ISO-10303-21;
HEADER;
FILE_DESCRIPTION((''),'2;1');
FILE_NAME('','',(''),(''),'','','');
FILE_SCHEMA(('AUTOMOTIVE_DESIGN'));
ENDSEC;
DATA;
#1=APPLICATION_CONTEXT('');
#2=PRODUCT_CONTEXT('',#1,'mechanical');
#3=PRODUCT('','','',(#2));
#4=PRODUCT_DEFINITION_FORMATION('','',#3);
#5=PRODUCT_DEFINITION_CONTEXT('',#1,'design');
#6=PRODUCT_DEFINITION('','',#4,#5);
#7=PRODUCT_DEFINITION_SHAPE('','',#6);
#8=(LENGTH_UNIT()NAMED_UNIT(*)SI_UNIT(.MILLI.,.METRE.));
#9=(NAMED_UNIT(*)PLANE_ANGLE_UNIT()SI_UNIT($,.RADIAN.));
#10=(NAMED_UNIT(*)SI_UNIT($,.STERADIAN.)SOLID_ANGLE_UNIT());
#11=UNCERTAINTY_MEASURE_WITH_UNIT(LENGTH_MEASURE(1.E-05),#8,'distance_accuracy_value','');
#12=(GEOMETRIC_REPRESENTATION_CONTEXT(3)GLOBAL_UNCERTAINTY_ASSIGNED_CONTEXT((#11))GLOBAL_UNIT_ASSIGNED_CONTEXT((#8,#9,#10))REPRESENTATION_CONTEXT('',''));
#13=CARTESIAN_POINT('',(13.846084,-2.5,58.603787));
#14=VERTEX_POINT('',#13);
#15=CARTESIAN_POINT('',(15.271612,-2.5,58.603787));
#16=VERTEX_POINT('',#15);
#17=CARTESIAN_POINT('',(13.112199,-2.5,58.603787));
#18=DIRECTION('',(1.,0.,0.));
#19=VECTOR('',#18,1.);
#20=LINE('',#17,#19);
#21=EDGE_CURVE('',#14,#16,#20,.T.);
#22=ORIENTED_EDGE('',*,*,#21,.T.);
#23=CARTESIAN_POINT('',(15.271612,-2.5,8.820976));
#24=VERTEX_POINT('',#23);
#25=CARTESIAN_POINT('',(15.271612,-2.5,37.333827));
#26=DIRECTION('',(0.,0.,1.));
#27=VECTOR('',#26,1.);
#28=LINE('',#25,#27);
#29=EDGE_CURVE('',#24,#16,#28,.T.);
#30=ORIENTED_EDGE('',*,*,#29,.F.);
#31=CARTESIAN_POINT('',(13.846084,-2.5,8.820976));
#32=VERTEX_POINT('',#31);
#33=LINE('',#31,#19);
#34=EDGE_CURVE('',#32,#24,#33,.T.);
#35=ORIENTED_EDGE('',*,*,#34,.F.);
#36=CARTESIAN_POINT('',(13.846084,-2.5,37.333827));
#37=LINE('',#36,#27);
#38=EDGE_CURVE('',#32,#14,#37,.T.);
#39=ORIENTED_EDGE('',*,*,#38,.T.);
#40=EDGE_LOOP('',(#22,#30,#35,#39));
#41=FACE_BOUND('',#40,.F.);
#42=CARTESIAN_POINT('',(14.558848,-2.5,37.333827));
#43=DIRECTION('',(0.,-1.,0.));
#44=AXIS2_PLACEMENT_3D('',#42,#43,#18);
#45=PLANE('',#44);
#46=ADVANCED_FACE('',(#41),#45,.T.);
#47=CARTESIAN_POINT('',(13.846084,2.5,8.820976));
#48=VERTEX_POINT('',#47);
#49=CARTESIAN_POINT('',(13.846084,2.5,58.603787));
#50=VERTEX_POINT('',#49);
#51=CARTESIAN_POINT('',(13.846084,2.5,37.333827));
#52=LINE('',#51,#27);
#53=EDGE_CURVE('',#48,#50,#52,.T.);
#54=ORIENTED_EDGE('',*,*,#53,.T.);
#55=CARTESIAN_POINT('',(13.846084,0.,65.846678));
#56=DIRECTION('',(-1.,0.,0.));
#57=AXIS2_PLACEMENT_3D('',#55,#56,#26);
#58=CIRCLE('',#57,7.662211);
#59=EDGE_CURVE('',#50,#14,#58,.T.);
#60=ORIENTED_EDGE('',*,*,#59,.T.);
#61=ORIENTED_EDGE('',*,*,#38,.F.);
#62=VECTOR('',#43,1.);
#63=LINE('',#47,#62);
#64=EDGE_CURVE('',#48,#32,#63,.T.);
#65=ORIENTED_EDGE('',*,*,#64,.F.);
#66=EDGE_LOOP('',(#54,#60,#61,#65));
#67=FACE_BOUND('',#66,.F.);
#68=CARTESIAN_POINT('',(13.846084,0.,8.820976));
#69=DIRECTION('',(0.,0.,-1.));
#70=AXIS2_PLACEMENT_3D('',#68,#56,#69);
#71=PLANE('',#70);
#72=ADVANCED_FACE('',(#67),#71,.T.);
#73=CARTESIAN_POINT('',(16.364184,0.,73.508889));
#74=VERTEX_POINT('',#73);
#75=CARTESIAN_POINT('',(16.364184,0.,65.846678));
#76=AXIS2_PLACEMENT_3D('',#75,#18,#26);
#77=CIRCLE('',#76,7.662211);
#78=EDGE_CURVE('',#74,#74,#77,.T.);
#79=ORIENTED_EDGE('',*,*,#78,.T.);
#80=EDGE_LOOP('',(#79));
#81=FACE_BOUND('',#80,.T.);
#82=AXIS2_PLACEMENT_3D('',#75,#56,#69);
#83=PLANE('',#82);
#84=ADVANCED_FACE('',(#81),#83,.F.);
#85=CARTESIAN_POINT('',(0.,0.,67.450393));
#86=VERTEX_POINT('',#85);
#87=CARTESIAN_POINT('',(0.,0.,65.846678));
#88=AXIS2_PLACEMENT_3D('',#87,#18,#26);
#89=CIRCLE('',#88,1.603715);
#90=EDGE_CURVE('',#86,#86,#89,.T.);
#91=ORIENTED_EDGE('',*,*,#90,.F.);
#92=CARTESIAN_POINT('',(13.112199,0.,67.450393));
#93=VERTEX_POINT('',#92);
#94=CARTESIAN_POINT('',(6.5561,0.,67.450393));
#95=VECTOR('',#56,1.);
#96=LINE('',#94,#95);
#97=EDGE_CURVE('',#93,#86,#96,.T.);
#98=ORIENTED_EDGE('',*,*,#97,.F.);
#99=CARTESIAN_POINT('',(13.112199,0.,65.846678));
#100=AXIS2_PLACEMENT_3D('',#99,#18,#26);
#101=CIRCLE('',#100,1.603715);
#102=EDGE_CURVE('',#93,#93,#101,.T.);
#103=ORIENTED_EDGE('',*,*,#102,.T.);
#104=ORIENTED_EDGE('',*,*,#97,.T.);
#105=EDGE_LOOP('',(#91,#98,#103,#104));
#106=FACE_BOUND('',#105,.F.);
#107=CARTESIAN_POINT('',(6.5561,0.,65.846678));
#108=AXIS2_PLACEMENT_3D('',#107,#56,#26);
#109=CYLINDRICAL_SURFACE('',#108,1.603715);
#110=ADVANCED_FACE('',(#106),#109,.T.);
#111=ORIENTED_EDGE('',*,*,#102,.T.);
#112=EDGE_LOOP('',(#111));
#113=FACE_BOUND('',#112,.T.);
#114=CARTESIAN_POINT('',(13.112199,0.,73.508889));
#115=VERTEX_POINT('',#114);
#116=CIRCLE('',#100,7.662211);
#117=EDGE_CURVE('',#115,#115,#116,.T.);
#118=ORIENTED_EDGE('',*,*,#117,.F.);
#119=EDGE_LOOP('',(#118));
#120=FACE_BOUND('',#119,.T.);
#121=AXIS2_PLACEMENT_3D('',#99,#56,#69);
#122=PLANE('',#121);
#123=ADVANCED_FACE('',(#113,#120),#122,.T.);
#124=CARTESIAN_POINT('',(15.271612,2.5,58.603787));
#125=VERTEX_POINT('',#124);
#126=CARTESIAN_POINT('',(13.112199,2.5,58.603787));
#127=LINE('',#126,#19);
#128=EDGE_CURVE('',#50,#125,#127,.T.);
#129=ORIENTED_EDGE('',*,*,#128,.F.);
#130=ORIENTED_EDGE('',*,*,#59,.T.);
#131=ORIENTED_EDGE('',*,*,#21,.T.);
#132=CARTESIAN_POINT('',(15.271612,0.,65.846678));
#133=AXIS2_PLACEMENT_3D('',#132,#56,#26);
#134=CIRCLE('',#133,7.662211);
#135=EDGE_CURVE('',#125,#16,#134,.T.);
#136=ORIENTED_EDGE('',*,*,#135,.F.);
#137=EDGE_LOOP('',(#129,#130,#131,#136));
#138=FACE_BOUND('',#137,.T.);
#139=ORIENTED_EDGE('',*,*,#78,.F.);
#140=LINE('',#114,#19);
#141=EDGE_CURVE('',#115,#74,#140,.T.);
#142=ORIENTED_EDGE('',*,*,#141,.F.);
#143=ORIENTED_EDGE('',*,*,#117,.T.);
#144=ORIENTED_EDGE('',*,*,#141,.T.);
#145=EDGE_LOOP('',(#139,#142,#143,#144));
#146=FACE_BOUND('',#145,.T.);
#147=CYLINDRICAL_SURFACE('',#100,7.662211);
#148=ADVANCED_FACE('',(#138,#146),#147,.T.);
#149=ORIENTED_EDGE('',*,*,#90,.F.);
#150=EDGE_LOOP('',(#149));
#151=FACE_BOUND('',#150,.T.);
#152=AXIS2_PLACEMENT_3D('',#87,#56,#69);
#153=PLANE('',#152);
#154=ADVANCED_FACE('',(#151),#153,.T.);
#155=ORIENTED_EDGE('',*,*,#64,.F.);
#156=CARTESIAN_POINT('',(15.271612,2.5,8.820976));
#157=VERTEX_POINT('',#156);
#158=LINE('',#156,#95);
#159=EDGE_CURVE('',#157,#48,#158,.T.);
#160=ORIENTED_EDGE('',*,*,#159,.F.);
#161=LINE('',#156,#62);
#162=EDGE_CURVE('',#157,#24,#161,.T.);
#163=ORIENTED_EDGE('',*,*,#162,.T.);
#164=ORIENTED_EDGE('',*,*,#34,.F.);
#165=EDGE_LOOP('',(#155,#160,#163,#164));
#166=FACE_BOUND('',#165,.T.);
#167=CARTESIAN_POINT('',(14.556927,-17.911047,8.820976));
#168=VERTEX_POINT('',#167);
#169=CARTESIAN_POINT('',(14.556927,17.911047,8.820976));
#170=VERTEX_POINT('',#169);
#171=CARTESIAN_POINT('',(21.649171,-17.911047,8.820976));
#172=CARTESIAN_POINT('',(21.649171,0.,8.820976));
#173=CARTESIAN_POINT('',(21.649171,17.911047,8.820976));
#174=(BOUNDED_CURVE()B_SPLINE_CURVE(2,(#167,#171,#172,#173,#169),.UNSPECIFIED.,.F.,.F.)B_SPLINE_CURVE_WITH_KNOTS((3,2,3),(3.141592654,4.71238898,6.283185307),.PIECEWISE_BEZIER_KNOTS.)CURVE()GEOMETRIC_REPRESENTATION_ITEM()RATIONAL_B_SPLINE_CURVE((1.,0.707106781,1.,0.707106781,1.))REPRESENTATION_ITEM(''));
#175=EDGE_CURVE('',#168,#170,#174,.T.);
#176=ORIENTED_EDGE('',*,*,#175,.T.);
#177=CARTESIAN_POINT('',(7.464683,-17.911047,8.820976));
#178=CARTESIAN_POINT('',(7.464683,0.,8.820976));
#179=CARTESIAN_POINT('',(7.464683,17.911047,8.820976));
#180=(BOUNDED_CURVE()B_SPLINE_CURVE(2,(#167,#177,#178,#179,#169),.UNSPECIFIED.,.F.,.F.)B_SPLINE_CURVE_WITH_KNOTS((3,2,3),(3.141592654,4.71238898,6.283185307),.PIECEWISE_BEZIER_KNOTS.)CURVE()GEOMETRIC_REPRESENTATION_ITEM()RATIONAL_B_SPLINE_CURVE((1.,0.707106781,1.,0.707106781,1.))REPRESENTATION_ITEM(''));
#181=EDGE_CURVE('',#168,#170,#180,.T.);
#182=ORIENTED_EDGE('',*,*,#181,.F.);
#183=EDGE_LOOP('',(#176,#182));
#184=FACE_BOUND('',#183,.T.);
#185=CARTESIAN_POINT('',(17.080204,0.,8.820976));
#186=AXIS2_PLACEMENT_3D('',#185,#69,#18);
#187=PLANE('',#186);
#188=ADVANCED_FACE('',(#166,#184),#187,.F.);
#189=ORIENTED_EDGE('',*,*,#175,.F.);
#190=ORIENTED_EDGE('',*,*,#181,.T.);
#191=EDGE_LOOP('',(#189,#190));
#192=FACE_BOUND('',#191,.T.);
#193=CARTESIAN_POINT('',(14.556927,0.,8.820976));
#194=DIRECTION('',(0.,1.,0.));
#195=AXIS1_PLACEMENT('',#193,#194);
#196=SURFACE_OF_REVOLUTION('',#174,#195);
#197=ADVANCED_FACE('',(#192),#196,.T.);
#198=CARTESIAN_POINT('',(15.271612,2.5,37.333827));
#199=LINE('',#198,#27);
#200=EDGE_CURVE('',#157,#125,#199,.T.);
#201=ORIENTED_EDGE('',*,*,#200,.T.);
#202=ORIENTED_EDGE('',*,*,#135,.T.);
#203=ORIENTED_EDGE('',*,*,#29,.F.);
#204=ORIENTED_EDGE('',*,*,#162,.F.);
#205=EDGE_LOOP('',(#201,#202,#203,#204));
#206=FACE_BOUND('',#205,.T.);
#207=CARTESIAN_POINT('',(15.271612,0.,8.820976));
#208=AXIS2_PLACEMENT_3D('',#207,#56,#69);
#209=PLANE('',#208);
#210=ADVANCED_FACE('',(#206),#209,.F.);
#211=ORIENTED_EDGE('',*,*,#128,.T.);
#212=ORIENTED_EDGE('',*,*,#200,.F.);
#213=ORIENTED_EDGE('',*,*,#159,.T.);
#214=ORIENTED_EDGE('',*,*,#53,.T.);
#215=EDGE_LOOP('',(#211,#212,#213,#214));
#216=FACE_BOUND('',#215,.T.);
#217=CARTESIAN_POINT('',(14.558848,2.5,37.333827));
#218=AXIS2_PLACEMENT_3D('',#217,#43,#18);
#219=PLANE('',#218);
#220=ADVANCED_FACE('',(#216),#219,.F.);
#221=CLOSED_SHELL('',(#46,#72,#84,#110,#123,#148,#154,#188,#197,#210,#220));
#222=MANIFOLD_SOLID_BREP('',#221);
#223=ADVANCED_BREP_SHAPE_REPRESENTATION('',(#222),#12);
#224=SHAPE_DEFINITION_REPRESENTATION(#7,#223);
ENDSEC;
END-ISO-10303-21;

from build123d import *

# Parameters (mm, degrees)
F0_W     = 13.1121994928
F0_H     = 1.6037151217
F0_W_2   = 1.4255279675
F0_H_2   = 57.0257019255
F2_DEPTH = 2.5
F5_ANGLE = 180


with BuildPart() as f1:
    # F0 (on Front) → F1 (revolve)
    with BuildSketch(Plane.XZ):
        Polygon((-13.1121994928, 65.8466780561), (-13.1121994928, 67.4503931779), (-13.1121994928, 73.5088886696), (-16.3641842082, 73.5088886696), (-16.3641842082, 65.8466780562), (-15.271612443, 65.8466780562), (-13.8460844755, 65.8466780562), align=None)
        with Locations((-6.5560997464, 66.648535617)):
            Rectangle(F0_W, F0_H)
    revolve(axis=Axis((-8.1820921041, 0, 65.8466780562), (1, 0, 0)))

    # F0 (on Front) → F2 (join, symmetric)
    with BuildSketch(Plane.XZ):
        with Locations((-14.5588484593, 37.3338270934)):
            Rectangle(F0_W_2, F0_H_2)
    extrude(amount=F2_DEPTH, both=True)

    # F4 (on offset) → F5 (revolve)
    with BuildSketch(Plane(origin=(0, 0, 8.8209761307), x_dir=(1, 0, 0), z_dir=(0, 0, -1))):
        with BuildLine():
            Line((-14.5569266751, 2.5077068713), (-14.5569266751, 17.9110467434))
            add(Edge.make_bspline(
                [(-14.5569266751, 17.9110467434), (-21.6491705103, 17.9110467434), (-21.6491705103, 0), (-21.6491705103, -17.9110467434), (-14.5569266751, -17.9110467434)],
                knots=[3.1415926536, 3.1415926536, 3.1415926536, 4.7123889804, 4.7123889804, 6.2831853072, 6.2831853072, 6.2831853072], degree=2, weights=[1, 0.7071067812, 1, 0.7071067812, 1]))
            Line((-14.5569266751, -17.9110467434), (-14.5569266751, 2.5077068713))
        make_face()
    revolve(axis=Axis((-14.5569266751, 0, 8.8209761307), (0, -1, 0)), revolution_arc=F5_ANGLE)


with BuildPart() as f6_1:
    # F6: instance of F1
    add(f1.part.mirror(Plane.YZ))


solid = f6_1.part
